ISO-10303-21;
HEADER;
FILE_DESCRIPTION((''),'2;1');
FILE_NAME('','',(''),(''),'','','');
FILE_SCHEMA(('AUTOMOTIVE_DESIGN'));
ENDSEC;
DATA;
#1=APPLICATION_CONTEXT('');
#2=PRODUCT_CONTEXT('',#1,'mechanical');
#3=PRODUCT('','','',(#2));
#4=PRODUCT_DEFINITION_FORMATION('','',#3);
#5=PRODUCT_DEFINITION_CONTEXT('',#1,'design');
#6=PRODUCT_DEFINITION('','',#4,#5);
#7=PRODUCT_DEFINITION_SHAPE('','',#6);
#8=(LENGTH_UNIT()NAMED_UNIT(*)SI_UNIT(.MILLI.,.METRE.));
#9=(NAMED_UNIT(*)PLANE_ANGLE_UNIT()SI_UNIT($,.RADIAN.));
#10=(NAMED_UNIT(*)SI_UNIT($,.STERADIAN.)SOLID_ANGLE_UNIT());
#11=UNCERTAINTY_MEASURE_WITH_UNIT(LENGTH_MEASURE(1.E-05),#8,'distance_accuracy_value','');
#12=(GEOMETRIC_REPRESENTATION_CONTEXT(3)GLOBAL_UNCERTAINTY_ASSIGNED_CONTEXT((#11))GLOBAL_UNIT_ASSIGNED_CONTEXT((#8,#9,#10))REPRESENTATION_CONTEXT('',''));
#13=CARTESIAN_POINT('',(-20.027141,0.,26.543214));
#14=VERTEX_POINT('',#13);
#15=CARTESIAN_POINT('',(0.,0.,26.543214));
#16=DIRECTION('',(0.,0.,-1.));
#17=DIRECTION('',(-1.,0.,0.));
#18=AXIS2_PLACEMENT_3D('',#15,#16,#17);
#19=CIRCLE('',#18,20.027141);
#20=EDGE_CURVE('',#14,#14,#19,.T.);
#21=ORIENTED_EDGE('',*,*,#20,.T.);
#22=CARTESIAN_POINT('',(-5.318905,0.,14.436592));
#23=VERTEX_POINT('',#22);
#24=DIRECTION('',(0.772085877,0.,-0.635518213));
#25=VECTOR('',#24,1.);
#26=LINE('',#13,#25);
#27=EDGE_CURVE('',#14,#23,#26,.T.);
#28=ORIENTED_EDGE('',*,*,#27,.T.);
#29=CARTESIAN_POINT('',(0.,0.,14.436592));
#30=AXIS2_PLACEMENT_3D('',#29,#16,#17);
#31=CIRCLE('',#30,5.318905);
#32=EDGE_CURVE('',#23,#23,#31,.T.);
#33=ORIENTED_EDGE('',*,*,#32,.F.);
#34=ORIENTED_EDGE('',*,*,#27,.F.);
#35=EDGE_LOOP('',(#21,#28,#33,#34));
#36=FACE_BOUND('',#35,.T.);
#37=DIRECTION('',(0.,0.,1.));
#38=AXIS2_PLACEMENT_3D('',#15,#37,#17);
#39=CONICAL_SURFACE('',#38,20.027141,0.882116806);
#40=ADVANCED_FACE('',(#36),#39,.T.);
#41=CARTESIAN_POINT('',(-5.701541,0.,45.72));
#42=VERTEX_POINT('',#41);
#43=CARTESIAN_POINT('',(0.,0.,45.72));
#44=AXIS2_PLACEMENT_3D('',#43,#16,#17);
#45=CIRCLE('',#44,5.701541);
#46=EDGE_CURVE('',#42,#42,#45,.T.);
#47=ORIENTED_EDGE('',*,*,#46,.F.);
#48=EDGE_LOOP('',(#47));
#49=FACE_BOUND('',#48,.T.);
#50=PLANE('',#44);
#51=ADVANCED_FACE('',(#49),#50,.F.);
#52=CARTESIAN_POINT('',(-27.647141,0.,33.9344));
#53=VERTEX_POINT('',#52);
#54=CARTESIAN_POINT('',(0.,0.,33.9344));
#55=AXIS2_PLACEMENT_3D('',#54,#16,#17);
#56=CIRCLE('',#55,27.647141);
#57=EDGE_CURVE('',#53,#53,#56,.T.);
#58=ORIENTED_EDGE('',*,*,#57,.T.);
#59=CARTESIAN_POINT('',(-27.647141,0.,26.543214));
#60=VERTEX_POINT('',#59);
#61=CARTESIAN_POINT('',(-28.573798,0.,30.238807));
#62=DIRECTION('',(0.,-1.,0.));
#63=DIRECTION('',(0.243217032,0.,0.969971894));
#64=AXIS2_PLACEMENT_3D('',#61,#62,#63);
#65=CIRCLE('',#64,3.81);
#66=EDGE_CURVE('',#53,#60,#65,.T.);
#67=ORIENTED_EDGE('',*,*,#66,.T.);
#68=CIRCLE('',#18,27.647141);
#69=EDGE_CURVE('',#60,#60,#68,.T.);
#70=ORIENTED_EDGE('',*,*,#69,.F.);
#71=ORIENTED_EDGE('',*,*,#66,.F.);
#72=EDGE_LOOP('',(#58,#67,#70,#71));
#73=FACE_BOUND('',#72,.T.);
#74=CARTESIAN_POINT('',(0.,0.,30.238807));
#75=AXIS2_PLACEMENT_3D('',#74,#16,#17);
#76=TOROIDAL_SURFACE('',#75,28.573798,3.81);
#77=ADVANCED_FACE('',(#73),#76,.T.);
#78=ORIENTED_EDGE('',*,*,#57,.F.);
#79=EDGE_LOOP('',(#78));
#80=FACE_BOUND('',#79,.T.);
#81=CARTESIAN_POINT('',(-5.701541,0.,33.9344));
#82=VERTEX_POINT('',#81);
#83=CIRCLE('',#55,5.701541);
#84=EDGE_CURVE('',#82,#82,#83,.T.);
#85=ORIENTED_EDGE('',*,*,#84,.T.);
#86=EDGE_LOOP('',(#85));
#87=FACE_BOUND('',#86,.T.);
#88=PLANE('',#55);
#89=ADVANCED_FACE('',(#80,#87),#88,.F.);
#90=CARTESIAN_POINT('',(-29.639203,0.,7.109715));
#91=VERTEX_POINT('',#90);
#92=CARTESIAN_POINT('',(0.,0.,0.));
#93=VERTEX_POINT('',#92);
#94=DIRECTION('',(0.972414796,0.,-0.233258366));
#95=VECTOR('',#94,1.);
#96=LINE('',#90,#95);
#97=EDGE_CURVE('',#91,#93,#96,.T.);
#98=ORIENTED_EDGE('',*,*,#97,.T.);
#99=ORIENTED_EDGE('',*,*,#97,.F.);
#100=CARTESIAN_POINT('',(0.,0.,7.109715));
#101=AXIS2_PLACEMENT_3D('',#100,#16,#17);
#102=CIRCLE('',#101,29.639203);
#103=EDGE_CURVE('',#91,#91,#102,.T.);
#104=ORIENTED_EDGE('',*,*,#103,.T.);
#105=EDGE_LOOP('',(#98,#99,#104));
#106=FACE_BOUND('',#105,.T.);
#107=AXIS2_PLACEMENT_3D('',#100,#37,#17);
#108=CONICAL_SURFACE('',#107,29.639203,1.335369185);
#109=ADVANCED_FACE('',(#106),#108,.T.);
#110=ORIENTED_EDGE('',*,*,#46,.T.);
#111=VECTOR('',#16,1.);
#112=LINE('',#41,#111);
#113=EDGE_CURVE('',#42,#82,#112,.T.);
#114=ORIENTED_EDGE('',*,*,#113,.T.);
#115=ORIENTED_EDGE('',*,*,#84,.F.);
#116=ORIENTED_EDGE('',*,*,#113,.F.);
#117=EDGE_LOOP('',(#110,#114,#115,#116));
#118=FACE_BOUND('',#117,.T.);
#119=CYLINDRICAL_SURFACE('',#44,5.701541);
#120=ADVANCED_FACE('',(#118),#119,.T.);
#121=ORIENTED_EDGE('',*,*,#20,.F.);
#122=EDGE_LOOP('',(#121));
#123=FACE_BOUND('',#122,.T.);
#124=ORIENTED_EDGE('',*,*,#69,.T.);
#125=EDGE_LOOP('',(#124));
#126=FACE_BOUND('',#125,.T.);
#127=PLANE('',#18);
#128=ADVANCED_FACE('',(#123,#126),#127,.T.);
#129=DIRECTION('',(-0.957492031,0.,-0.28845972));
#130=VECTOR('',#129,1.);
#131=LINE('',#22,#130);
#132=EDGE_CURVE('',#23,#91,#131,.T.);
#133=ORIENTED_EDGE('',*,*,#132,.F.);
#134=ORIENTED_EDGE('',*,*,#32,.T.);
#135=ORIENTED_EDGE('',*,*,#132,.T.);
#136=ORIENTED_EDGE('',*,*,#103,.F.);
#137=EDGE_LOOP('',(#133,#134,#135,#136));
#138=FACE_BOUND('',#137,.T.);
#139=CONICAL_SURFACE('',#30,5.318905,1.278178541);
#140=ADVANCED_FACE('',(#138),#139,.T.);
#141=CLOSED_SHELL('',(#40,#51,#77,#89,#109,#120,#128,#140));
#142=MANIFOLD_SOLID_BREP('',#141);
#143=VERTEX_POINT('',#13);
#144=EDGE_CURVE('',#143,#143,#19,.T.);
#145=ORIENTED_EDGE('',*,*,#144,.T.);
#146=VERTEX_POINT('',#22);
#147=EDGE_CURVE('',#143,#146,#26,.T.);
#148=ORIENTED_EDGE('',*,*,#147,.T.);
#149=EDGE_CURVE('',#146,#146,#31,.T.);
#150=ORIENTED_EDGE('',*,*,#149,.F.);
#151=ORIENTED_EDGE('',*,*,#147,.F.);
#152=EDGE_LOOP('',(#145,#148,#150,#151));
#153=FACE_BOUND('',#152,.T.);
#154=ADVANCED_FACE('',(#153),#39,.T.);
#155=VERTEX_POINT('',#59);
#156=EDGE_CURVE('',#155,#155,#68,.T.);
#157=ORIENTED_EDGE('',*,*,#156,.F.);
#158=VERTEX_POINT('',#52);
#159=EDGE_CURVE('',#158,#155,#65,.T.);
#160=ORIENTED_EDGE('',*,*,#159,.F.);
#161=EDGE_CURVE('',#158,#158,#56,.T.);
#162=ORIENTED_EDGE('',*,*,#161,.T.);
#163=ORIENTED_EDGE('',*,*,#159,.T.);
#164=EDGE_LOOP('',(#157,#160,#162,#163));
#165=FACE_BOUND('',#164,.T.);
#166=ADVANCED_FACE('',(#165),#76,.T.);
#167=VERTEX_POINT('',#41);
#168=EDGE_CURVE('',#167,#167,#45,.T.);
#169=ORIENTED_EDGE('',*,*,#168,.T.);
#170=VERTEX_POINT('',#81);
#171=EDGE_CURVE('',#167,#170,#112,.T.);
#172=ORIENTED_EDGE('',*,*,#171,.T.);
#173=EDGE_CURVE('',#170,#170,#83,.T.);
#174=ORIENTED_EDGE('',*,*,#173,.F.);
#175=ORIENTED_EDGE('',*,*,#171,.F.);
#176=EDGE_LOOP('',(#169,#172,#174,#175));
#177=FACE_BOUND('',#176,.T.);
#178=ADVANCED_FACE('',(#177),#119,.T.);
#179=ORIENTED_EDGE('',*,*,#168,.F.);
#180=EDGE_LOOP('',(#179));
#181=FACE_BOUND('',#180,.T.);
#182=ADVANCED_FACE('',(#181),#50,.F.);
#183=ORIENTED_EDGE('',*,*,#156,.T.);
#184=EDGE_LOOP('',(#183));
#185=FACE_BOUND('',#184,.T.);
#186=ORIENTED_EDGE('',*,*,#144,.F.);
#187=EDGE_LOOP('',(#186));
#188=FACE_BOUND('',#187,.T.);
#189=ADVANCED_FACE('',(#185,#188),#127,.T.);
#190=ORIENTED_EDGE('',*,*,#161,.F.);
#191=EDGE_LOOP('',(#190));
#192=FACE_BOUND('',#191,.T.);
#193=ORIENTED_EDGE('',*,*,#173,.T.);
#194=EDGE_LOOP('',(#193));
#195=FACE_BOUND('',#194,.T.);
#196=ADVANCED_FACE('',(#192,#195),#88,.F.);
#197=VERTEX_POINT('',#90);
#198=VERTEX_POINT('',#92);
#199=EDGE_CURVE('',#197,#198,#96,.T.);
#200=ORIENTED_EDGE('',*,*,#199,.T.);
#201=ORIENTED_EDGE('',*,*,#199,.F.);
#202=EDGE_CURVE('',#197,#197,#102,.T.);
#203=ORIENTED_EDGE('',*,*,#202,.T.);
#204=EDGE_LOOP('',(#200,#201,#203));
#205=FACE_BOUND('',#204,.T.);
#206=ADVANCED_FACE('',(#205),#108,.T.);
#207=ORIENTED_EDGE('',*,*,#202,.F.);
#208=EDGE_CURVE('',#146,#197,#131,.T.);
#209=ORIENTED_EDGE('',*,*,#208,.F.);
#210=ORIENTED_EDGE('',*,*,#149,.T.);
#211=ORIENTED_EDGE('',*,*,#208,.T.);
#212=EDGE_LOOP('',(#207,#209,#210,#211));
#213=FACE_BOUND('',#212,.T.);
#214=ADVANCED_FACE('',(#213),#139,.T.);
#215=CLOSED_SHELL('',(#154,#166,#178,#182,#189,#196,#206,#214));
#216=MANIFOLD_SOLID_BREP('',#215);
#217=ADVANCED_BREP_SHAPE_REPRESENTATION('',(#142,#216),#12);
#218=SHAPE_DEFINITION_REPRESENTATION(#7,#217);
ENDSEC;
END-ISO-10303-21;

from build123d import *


with BuildPart() as f1:
    # F0 (on Front) → F1 (revolve)
    with BuildSketch(Plane.XZ):
        with BuildLine():
            Line((-29.639203, 7.109715), (0, 0))
            Line((0, 0), (0, 45.72))
            Line((0, 45.72), (-5.701541, 45.72))
            Line((-5.701541, 45.72), (-5.701541, 33.9344))
            Line((-5.701541, 33.9344), (-27.647141, 33.9344))
            ThreePointArc((-27.647141, 33.9344), (-32.383798, 30.238807), (-27.647141, 26.543214))
            Line((-27.647141, 26.543214), (-20.027141, 26.543214))
            Line((-20.027141, 26.543214), (-5.318905, 14.436592))
            Line((-5.318905, 14.436592), (-29.639203, 7.109715))
        make_face()
    revolve(axis=Axis((0, 0, 22.86), (0, 0, -1)))


with BuildPart() as f2:
    # F0 (on Front) → F2 (revolve)
    with BuildSketch(Plane.XZ):
        with BuildLine():
            Line((-29.639203, 7.109715), (0, 0))
            Line((0, 0), (0, 45.72))
            Line((0, 45.72), (-5.701541, 45.72))
            Line((-5.701541, 45.72), (-5.701541, 33.9344))
            Line((-5.701541, 33.9344), (-27.647141, 33.9344))
            ThreePointArc((-27.647141, 33.9344), (-32.383798, 30.238807), (-27.647141, 26.543214))
            Line((-27.647141, 26.543214), (-20.027141, 26.543214))
            Line((-20.027141, 26.543214), (-5.318905, 14.436592))
            Line((-5.318905, 14.436592), (-29.639203, 7.109715))
        make_face()
    revolve(axis=Axis((0, 0, 22.86), (0, 0, -1)))


solid = Compound([f1.part, f2.part])
